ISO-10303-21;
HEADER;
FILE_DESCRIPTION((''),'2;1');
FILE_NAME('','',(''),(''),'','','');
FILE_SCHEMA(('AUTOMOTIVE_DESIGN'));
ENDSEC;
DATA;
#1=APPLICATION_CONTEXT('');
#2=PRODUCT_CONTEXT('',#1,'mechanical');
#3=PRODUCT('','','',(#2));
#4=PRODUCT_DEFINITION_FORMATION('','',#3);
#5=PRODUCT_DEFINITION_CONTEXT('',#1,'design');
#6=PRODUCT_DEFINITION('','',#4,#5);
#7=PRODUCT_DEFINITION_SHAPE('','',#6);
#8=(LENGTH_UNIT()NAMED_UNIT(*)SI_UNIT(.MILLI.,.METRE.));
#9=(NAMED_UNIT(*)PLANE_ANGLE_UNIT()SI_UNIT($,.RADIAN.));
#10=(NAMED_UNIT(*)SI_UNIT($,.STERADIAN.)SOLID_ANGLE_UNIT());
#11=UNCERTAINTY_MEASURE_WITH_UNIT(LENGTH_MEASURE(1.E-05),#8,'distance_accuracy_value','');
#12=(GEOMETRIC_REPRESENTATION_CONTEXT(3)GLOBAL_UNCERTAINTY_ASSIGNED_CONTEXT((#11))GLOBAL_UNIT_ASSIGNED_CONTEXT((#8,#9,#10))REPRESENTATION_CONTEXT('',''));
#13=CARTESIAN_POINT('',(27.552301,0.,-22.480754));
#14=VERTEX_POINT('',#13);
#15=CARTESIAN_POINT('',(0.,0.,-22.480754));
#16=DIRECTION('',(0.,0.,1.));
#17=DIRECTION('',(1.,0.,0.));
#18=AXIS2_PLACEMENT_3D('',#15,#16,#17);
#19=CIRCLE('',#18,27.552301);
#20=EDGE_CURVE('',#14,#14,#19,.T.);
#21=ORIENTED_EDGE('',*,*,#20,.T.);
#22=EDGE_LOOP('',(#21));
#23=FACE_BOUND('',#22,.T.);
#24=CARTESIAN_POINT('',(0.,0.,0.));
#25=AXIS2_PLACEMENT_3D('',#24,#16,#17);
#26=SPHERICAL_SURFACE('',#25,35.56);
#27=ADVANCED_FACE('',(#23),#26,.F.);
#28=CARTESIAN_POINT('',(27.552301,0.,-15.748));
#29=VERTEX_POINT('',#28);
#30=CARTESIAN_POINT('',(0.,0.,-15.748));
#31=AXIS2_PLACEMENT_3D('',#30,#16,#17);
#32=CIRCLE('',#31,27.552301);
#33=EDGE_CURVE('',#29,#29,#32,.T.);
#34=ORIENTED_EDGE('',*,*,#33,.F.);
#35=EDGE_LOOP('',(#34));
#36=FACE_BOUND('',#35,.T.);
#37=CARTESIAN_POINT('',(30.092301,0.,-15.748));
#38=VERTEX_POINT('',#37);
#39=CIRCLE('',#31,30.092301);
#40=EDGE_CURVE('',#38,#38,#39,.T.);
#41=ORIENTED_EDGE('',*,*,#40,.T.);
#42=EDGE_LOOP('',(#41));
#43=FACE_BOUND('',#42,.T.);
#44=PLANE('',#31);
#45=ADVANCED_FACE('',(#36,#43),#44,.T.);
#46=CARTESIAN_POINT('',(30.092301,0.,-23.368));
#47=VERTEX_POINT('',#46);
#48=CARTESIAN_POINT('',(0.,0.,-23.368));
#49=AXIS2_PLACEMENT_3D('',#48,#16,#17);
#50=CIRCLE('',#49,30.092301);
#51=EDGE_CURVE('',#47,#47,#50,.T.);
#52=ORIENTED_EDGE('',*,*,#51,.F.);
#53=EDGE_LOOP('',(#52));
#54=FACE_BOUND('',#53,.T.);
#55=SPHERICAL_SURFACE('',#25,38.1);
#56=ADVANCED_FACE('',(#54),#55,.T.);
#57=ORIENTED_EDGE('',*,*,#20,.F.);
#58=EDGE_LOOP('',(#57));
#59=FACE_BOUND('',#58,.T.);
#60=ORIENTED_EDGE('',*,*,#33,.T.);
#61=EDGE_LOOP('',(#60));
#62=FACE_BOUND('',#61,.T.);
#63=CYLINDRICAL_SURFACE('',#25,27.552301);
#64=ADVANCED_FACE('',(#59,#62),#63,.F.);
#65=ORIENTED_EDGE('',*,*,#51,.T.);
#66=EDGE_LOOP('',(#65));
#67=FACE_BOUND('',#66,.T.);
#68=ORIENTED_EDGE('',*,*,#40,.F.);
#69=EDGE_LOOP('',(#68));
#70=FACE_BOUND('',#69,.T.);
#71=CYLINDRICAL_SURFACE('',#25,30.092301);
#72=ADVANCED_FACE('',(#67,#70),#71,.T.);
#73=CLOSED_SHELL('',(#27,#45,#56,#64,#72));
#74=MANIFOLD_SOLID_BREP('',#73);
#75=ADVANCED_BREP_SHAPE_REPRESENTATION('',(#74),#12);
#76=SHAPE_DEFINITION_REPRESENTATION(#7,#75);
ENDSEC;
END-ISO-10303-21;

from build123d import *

# Parameters (mm, degrees)
SHELL4_T = -2.54


with BuildPart() as part:
    # Sketch4 → Revolve1 (revolve)
    with BuildSketch(Plane(origin=(0, 0, 0), x_dir=(1, 0, 0), z_dir=(0, 1, 0))):
        with BuildLine():
            Line((0, 38.1), (0, 15.748))
            Line((0, 15.748), (30.092300942, 15.748))
            Line((30.092300942, 15.748), (30.092300942, 23.368))
            ThreePointArc((30.092300942, 23.368), (16.752450567, 34.219371707), (0, 38.1))
        make_face()
    revolve(axis=Axis((0, 0, 0), (0, 0, -1)))

    # Shell4
    shell4_openings = [part.faces().sort_by_distance(p)[0] for p in [
        (30.092300942, 0, -15.748),
    ]]
    offset(amount=SHELL4_T, openings=shell4_openings, kind=Kind.INTERSECTION)


solid = part.part
